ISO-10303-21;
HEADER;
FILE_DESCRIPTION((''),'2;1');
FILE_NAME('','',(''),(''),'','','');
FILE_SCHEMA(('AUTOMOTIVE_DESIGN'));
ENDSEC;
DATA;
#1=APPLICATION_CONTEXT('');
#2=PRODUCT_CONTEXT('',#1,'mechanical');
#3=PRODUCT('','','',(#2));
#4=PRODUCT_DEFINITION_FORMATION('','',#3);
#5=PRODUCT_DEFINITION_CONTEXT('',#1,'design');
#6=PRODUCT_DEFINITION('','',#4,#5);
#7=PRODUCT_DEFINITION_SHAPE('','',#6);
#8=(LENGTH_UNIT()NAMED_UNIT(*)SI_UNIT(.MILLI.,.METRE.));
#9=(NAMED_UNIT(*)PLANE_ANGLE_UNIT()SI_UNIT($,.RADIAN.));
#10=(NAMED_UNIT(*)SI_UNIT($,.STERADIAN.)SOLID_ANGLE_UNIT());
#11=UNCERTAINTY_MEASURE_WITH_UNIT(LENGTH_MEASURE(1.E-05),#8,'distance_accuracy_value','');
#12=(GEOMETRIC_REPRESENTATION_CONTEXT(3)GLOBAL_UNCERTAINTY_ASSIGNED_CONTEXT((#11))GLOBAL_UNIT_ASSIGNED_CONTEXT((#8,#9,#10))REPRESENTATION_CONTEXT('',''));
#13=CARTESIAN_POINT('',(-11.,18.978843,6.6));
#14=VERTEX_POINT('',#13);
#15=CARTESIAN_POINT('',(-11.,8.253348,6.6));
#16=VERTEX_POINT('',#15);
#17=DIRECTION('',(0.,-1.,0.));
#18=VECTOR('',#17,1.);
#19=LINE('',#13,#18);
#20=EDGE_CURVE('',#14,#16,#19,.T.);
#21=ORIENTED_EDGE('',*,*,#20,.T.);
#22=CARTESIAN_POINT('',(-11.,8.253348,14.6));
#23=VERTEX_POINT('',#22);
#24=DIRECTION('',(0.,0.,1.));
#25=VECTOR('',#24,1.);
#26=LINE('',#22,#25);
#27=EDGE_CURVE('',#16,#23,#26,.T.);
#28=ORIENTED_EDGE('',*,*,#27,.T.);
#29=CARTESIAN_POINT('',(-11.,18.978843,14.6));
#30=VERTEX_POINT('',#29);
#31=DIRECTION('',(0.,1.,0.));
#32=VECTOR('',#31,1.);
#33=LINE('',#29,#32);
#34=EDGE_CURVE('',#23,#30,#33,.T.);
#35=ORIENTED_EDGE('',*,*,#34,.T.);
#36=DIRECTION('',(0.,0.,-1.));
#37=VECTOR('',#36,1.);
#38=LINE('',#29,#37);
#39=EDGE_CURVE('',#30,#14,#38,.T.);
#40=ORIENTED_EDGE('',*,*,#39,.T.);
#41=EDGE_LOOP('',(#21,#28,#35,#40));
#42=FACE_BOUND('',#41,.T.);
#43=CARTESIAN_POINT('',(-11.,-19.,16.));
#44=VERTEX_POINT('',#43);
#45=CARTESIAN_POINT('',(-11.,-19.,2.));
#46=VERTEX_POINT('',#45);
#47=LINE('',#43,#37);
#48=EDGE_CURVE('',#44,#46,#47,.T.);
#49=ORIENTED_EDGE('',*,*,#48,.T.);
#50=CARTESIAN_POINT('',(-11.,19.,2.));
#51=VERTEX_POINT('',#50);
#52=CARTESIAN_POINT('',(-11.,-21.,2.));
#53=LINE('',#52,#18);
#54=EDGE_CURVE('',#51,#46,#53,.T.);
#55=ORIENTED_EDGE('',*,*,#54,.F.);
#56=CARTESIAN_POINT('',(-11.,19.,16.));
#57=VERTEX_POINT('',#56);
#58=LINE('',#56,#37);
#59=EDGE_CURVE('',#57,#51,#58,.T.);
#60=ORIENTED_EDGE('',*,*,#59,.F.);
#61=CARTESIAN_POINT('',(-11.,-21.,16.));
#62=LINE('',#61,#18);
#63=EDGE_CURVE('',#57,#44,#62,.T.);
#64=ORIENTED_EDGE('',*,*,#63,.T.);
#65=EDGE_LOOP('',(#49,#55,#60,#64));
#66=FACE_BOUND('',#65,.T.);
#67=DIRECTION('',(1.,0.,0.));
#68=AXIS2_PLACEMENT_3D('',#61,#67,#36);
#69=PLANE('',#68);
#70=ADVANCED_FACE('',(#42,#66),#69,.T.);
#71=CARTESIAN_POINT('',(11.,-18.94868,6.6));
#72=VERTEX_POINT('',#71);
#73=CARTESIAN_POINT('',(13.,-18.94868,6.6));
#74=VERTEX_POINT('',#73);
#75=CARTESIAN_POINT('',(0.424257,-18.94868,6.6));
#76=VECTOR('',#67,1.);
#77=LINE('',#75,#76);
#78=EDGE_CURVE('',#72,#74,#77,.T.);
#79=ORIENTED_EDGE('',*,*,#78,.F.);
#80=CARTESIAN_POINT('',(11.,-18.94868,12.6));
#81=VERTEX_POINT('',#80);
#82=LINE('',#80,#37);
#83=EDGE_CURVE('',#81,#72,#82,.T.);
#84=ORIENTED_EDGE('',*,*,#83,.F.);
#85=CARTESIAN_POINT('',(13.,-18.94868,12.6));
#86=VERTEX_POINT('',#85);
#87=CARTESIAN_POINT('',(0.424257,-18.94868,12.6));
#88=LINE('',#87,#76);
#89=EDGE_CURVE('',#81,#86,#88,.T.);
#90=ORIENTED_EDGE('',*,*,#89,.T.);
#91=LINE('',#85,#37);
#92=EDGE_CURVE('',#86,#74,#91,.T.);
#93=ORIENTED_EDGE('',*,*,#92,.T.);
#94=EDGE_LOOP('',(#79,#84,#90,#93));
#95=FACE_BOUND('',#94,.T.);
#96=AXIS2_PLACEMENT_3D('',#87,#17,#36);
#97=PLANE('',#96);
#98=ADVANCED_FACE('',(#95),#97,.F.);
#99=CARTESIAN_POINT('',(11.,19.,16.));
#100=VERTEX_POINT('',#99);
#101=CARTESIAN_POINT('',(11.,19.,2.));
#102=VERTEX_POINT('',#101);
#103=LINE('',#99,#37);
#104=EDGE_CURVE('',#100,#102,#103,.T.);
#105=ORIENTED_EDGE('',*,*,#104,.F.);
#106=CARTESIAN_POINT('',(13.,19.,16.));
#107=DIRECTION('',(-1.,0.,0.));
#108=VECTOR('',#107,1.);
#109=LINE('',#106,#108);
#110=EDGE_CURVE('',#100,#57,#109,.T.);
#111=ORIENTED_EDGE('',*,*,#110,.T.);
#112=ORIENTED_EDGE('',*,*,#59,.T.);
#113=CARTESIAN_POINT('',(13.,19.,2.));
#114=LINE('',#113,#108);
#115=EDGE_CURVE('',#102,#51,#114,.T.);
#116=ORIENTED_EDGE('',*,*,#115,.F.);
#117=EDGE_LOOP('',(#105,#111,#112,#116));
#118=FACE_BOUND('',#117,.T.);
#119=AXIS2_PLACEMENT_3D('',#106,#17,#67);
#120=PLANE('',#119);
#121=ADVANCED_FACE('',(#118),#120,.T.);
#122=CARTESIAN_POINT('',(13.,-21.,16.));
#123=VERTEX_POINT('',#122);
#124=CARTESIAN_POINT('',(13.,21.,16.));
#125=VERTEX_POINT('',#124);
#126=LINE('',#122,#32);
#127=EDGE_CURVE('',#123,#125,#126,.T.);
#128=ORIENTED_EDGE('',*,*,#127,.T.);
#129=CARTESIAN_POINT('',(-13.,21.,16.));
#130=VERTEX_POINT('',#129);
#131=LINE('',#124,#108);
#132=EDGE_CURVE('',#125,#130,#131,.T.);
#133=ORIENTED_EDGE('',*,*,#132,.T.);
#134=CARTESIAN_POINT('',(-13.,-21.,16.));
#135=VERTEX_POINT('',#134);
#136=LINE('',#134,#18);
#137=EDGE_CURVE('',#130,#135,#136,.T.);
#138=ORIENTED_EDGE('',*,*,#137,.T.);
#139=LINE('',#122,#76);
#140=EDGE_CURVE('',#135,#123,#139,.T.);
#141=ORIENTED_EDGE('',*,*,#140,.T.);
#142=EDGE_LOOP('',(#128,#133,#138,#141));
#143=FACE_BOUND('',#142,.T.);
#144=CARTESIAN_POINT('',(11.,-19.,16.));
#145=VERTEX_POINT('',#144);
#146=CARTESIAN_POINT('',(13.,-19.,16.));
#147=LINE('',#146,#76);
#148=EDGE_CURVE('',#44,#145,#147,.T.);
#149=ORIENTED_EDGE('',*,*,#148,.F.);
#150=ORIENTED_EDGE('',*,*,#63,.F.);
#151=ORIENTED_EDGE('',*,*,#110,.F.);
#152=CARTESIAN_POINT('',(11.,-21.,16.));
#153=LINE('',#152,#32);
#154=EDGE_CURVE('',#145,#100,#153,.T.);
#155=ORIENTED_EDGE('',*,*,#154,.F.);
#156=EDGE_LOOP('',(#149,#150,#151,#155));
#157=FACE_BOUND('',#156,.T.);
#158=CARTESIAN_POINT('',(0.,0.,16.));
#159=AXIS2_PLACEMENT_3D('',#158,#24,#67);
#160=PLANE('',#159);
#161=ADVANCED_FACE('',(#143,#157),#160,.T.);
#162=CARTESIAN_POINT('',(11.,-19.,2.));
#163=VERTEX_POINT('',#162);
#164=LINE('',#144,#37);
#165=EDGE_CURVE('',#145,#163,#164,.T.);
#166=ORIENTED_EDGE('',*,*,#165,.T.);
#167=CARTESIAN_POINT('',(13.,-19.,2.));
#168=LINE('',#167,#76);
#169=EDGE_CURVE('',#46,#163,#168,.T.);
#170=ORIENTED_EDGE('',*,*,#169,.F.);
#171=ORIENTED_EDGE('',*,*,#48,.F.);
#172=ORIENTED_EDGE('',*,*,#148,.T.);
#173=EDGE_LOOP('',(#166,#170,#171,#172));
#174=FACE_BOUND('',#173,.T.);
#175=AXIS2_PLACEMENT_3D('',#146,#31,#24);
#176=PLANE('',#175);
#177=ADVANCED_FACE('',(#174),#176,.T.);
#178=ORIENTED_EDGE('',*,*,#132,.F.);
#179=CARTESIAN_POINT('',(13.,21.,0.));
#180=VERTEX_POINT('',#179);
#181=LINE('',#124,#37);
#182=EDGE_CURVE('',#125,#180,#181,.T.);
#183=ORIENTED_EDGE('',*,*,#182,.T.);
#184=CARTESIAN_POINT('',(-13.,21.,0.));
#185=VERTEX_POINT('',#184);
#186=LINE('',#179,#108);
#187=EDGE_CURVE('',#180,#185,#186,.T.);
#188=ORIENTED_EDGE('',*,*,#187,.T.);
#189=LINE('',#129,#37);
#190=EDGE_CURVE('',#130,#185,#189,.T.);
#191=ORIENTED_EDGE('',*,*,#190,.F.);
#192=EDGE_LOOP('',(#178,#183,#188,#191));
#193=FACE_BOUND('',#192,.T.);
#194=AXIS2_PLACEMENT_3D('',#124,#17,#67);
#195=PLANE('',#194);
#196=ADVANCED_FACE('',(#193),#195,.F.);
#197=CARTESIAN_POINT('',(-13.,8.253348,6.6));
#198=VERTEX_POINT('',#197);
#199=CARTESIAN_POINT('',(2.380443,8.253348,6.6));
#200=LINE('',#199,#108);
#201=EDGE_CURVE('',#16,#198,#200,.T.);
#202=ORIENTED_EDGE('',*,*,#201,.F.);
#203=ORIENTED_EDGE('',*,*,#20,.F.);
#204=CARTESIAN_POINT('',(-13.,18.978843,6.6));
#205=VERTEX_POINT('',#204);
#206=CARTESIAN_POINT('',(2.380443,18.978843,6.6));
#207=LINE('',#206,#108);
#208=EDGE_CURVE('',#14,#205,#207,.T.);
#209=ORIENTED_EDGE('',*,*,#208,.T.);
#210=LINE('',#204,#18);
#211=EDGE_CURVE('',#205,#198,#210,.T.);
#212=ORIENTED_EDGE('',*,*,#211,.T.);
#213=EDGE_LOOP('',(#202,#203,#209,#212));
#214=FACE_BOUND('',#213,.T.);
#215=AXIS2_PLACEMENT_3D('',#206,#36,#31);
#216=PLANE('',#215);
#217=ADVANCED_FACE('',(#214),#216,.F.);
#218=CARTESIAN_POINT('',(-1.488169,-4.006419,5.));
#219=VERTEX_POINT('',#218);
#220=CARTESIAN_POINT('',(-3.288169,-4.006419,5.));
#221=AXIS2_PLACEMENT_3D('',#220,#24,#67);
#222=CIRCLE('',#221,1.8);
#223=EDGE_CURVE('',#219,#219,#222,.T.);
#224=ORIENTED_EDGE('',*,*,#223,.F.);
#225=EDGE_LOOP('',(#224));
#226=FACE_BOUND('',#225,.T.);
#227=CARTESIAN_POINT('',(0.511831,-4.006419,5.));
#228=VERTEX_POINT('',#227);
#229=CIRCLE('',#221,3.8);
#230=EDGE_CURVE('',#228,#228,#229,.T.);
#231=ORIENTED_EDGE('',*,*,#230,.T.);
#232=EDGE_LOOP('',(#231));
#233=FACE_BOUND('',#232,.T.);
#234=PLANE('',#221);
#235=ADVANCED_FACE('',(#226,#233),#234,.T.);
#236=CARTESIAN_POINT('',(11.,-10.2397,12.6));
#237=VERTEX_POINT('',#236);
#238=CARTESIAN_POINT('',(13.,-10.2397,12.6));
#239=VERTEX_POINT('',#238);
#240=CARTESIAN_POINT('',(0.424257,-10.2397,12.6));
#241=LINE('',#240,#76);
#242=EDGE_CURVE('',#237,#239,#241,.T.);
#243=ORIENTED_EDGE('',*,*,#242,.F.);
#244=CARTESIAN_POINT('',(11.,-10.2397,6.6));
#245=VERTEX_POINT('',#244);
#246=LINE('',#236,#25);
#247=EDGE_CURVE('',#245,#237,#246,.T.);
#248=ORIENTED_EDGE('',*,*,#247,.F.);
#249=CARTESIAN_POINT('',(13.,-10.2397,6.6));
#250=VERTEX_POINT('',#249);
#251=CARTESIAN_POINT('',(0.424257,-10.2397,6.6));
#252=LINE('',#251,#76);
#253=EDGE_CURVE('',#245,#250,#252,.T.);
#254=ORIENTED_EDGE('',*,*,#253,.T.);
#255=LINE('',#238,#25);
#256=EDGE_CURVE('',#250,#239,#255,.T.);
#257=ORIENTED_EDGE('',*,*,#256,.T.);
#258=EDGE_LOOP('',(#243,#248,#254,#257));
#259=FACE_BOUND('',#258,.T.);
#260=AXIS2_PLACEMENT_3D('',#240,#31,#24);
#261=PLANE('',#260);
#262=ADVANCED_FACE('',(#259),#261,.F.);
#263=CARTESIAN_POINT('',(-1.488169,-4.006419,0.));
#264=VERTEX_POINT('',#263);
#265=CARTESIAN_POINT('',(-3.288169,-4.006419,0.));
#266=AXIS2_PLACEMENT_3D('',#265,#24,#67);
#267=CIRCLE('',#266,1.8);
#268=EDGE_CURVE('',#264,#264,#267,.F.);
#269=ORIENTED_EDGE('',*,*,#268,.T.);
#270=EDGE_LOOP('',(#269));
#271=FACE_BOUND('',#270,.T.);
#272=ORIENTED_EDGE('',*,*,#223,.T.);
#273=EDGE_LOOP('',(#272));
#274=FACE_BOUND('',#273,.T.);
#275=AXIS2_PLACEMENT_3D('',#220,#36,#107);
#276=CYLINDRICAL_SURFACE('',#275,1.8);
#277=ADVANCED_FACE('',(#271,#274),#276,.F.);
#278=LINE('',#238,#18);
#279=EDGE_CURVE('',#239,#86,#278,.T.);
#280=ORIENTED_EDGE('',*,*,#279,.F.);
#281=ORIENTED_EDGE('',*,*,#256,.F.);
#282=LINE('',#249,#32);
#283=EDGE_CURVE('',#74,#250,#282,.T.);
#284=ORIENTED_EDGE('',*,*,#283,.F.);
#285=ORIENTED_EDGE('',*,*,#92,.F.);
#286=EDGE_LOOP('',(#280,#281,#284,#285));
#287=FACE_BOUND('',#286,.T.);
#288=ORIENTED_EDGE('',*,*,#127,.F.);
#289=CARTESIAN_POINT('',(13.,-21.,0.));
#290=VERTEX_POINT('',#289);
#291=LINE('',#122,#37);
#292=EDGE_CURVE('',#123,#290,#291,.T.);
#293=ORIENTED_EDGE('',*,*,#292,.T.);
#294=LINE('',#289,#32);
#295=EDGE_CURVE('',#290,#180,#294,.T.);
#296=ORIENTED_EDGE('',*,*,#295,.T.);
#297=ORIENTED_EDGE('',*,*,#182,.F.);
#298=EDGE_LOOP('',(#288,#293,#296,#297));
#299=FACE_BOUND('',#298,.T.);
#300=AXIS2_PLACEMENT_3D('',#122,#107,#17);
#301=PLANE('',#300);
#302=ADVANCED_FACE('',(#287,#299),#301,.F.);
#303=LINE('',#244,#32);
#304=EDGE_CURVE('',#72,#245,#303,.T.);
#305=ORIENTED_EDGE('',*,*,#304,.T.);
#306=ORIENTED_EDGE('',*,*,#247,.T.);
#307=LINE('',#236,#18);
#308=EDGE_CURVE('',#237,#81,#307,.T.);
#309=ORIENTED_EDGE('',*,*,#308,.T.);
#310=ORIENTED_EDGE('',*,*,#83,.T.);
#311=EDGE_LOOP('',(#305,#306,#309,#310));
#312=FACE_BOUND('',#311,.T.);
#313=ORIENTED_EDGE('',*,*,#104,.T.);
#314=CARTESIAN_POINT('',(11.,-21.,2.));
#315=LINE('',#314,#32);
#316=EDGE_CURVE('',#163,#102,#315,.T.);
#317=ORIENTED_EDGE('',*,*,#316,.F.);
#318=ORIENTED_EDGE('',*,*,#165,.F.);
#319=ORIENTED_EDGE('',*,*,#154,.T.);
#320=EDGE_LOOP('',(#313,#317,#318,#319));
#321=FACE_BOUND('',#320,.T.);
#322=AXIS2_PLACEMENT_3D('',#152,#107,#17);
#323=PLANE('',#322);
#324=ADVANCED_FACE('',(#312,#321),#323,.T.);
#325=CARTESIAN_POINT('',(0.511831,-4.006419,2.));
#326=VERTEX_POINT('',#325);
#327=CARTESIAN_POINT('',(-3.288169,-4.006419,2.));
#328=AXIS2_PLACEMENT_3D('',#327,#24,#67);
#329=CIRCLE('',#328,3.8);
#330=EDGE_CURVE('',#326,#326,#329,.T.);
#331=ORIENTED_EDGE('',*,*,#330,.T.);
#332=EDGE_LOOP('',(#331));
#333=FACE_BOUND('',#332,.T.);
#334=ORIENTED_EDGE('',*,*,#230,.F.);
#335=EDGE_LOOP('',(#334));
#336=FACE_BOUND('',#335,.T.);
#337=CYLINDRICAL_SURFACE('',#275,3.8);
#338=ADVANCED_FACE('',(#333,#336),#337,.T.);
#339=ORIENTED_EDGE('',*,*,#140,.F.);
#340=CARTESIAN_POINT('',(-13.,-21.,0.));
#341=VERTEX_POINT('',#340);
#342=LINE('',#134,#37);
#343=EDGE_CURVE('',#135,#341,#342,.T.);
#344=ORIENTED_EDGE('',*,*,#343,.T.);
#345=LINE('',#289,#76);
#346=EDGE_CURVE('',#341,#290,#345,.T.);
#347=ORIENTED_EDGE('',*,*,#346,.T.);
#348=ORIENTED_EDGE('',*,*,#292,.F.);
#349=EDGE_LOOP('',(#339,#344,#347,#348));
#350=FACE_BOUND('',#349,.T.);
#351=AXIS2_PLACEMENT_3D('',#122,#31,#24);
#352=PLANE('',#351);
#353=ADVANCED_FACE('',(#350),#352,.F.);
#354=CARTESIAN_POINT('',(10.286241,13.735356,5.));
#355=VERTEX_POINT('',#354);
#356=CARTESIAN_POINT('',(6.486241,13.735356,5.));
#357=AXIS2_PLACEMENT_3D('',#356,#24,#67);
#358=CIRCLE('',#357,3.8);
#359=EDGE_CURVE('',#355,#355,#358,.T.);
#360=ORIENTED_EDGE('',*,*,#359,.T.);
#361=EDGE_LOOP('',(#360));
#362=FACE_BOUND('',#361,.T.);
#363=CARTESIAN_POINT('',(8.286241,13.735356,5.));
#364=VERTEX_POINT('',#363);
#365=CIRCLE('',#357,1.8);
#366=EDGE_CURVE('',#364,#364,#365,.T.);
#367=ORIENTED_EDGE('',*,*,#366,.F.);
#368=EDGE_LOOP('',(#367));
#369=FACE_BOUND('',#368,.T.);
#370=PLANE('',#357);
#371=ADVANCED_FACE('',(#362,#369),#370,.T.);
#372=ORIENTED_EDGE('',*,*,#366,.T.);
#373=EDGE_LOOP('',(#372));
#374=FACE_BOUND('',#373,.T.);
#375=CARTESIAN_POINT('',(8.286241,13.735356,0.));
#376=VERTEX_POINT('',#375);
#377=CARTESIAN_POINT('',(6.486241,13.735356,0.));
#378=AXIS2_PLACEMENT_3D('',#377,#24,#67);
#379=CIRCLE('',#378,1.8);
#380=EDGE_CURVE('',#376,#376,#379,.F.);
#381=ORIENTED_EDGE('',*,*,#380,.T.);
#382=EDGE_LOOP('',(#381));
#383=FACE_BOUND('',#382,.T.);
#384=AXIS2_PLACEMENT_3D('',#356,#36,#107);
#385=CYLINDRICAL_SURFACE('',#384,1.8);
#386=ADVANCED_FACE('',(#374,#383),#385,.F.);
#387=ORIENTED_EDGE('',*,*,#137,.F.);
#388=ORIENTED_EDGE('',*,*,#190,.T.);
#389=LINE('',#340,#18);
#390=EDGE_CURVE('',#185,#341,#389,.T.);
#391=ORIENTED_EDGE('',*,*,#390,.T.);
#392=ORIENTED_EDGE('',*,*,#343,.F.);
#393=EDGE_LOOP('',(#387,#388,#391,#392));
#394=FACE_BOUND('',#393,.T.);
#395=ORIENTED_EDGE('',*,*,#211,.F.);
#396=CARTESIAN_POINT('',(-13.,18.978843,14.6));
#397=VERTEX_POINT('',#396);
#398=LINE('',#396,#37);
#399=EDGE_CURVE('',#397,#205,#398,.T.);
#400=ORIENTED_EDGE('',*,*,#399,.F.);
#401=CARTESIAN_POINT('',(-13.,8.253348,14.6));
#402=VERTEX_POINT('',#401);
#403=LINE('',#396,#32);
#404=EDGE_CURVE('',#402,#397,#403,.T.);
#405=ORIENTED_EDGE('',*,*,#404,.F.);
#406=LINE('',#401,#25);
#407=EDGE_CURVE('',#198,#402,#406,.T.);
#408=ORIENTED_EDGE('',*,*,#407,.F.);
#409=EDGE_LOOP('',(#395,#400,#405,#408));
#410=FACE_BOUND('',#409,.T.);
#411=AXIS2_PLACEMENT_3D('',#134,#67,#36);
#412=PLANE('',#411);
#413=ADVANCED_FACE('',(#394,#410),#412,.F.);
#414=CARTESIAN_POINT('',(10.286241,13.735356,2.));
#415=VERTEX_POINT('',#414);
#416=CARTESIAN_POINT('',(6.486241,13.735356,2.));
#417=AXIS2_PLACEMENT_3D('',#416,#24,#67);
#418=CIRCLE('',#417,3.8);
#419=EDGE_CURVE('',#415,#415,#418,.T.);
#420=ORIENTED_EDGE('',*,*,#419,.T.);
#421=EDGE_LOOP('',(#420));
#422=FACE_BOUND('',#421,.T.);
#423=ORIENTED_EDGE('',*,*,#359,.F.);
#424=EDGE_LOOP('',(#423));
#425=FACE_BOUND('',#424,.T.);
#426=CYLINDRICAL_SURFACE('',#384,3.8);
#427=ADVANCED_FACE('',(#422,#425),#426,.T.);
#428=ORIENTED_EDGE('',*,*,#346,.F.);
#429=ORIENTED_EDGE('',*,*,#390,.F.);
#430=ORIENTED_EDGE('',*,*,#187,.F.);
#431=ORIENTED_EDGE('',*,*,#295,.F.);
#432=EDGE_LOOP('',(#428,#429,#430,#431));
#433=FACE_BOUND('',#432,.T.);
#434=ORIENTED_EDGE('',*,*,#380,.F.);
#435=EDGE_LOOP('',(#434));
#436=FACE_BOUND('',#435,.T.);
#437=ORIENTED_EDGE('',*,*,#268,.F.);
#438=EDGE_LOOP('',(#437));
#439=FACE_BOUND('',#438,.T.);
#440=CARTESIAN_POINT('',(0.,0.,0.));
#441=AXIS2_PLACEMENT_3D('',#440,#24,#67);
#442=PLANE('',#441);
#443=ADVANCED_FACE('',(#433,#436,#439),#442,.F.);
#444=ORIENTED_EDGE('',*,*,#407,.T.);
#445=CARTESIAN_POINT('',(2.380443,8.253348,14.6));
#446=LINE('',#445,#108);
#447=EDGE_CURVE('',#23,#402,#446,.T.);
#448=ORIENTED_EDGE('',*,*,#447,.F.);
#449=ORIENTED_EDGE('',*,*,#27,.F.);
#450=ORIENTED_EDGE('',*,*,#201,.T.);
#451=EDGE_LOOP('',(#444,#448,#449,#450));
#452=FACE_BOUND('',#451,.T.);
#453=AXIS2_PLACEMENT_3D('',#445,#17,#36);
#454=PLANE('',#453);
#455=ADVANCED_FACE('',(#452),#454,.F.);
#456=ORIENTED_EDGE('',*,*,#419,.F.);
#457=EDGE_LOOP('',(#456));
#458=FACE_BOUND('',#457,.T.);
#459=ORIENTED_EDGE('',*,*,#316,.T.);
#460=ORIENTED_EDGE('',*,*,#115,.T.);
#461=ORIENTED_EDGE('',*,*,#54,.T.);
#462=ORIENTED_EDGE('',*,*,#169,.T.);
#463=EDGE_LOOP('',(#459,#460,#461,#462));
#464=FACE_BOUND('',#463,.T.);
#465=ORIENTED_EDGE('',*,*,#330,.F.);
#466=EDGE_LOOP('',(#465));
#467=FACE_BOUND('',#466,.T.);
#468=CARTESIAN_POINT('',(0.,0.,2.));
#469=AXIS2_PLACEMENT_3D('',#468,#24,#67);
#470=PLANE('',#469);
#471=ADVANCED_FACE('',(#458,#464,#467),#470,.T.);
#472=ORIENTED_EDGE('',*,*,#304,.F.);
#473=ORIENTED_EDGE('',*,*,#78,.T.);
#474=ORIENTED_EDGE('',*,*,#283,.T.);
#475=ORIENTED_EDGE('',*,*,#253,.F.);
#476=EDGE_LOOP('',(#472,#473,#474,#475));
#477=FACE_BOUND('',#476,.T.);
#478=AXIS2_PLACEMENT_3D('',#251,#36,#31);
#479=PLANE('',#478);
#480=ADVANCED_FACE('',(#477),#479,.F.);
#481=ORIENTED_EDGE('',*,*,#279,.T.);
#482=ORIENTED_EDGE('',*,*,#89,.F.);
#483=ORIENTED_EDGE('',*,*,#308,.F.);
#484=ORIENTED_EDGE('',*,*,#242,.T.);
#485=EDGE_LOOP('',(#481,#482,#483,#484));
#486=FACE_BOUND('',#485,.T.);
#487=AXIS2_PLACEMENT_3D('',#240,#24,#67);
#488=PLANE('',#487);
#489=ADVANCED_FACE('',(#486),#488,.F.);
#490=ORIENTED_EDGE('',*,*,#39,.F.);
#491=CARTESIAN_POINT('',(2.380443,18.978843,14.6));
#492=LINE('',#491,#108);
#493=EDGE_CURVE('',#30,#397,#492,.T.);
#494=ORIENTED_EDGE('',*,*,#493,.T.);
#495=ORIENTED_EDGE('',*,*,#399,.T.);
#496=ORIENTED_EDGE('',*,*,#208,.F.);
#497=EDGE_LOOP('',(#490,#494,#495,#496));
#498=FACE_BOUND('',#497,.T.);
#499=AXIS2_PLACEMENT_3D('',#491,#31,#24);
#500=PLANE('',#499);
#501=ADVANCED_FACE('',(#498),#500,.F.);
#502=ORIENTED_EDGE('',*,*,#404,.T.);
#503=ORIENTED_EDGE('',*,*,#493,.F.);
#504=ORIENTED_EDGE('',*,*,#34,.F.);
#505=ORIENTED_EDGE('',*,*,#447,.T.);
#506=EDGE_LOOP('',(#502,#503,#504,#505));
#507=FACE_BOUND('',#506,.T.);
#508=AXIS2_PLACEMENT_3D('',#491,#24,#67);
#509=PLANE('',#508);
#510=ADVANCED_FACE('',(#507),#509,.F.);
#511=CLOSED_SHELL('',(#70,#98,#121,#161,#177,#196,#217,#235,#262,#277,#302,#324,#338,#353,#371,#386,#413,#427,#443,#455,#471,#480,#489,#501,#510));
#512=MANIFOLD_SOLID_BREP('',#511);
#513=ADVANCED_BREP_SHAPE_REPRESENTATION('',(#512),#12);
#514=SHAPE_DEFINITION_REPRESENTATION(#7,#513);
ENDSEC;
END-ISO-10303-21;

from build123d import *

# Parameters (mm, degrees)
SKETCH1_W           = 26
SKETCH1_H           = 42
BOSS_EXTRUDE1_DEPTH = 16
SHELL1_T            = -2
SKETCH2_R           = 3.8
SKETCH2_R_2         = 1.8
BOSS_EXTRUDE2_DEPTH = 3
CUT_EXTRUDE2_START  = -2
SKETCH2_2_R         = 1.8
CUT_EXTRUDE2_DEPTH  = 2
SKETCH4_W           = 8
SKETCH4_H           = 10.725495138
CUT_EXTRUDE3_DEPTH  = 2
SKETCH5_W           = 6
SKETCH5_H           = 8.708980209
CUT_EXTRUDE4_DEPTH  = 2


with BuildPart() as part:
    # Sketch1 → Boss-Extrude1 (new body)
    with BuildSketch(Plane.XY):
        Rectangle(SKETCH1_W, SKETCH1_H)
    extrude(amount=BOSS_EXTRUDE1_DEPTH)

    # Shell1
    shell1_openings = [part.faces().sort_by_distance(p)[0] for p in [
        (0, 0, 16),
    ]]
    offset(amount=SHELL1_T, openings=shell1_openings, kind=Kind.INTERSECTION)

    # Sketch2 → Boss-Extrude2 (add)
    # profile 1 of 2: a face of its own
    with BuildSketch(Plane.XY.offset(2)):
        with Locations((-3.288169065, -4.006418736)):
            Circle(SKETCH2_R)
        with Locations((-3.288169065, -4.006418736)):
            Circle(SKETCH2_R_2, mode=Mode.SUBTRACT)
    # profile 2 of 2: a face of its own
    with BuildSketch(Plane.XY.offset(2)):
        with Locations((6.486240627, 13.735356113)):
            Circle(SKETCH2_R)
        with Locations((6.486240627, 13.735356113)):
            Circle(SKETCH2_R_2, mode=Mode.SUBTRACT)
    extrude(amount=BOSS_EXTRUDE2_DEPTH)

    # Sketch2<2> → Cut-Extrude2 (cut)
    with BuildSketch(Plane.XY.offset(2).offset(CUT_EXTRUDE2_START)):
        with Locations((6.486240627, 13.735356113)):
            Circle(SKETCH2_2_R)
        with Locations((-3.288169065, -4.006418736)):
            Circle(SKETCH2_2_R)
    extrude(amount=CUT_EXTRUDE2_DEPTH, mode=Mode.SUBTRACT)

    # Sketch4 → Cut-Extrude3 (cut)
    with BuildSketch(Plane.ZY.offset(13)):
        with Locations((10.6, 13.616095809)):
            Rectangle(SKETCH4_W, SKETCH4_H)
    extrude(amount=-CUT_EXTRUDE3_DEPTH, mode=Mode.SUBTRACT)

    # Sketch5 → Cut-Extrude4 (cut)
    with BuildSketch(Plane(origin=(13, 0, 0), x_dir=(0, 0, -1), z_dir=(1, 0, 0))):
        with Locations((-9.6, -14.594189668)):
            Rectangle(SKETCH5_W, SKETCH5_H)
    extrude(amount=-CUT_EXTRUDE4_DEPTH, mode=Mode.SUBTRACT)


solid = part.part
